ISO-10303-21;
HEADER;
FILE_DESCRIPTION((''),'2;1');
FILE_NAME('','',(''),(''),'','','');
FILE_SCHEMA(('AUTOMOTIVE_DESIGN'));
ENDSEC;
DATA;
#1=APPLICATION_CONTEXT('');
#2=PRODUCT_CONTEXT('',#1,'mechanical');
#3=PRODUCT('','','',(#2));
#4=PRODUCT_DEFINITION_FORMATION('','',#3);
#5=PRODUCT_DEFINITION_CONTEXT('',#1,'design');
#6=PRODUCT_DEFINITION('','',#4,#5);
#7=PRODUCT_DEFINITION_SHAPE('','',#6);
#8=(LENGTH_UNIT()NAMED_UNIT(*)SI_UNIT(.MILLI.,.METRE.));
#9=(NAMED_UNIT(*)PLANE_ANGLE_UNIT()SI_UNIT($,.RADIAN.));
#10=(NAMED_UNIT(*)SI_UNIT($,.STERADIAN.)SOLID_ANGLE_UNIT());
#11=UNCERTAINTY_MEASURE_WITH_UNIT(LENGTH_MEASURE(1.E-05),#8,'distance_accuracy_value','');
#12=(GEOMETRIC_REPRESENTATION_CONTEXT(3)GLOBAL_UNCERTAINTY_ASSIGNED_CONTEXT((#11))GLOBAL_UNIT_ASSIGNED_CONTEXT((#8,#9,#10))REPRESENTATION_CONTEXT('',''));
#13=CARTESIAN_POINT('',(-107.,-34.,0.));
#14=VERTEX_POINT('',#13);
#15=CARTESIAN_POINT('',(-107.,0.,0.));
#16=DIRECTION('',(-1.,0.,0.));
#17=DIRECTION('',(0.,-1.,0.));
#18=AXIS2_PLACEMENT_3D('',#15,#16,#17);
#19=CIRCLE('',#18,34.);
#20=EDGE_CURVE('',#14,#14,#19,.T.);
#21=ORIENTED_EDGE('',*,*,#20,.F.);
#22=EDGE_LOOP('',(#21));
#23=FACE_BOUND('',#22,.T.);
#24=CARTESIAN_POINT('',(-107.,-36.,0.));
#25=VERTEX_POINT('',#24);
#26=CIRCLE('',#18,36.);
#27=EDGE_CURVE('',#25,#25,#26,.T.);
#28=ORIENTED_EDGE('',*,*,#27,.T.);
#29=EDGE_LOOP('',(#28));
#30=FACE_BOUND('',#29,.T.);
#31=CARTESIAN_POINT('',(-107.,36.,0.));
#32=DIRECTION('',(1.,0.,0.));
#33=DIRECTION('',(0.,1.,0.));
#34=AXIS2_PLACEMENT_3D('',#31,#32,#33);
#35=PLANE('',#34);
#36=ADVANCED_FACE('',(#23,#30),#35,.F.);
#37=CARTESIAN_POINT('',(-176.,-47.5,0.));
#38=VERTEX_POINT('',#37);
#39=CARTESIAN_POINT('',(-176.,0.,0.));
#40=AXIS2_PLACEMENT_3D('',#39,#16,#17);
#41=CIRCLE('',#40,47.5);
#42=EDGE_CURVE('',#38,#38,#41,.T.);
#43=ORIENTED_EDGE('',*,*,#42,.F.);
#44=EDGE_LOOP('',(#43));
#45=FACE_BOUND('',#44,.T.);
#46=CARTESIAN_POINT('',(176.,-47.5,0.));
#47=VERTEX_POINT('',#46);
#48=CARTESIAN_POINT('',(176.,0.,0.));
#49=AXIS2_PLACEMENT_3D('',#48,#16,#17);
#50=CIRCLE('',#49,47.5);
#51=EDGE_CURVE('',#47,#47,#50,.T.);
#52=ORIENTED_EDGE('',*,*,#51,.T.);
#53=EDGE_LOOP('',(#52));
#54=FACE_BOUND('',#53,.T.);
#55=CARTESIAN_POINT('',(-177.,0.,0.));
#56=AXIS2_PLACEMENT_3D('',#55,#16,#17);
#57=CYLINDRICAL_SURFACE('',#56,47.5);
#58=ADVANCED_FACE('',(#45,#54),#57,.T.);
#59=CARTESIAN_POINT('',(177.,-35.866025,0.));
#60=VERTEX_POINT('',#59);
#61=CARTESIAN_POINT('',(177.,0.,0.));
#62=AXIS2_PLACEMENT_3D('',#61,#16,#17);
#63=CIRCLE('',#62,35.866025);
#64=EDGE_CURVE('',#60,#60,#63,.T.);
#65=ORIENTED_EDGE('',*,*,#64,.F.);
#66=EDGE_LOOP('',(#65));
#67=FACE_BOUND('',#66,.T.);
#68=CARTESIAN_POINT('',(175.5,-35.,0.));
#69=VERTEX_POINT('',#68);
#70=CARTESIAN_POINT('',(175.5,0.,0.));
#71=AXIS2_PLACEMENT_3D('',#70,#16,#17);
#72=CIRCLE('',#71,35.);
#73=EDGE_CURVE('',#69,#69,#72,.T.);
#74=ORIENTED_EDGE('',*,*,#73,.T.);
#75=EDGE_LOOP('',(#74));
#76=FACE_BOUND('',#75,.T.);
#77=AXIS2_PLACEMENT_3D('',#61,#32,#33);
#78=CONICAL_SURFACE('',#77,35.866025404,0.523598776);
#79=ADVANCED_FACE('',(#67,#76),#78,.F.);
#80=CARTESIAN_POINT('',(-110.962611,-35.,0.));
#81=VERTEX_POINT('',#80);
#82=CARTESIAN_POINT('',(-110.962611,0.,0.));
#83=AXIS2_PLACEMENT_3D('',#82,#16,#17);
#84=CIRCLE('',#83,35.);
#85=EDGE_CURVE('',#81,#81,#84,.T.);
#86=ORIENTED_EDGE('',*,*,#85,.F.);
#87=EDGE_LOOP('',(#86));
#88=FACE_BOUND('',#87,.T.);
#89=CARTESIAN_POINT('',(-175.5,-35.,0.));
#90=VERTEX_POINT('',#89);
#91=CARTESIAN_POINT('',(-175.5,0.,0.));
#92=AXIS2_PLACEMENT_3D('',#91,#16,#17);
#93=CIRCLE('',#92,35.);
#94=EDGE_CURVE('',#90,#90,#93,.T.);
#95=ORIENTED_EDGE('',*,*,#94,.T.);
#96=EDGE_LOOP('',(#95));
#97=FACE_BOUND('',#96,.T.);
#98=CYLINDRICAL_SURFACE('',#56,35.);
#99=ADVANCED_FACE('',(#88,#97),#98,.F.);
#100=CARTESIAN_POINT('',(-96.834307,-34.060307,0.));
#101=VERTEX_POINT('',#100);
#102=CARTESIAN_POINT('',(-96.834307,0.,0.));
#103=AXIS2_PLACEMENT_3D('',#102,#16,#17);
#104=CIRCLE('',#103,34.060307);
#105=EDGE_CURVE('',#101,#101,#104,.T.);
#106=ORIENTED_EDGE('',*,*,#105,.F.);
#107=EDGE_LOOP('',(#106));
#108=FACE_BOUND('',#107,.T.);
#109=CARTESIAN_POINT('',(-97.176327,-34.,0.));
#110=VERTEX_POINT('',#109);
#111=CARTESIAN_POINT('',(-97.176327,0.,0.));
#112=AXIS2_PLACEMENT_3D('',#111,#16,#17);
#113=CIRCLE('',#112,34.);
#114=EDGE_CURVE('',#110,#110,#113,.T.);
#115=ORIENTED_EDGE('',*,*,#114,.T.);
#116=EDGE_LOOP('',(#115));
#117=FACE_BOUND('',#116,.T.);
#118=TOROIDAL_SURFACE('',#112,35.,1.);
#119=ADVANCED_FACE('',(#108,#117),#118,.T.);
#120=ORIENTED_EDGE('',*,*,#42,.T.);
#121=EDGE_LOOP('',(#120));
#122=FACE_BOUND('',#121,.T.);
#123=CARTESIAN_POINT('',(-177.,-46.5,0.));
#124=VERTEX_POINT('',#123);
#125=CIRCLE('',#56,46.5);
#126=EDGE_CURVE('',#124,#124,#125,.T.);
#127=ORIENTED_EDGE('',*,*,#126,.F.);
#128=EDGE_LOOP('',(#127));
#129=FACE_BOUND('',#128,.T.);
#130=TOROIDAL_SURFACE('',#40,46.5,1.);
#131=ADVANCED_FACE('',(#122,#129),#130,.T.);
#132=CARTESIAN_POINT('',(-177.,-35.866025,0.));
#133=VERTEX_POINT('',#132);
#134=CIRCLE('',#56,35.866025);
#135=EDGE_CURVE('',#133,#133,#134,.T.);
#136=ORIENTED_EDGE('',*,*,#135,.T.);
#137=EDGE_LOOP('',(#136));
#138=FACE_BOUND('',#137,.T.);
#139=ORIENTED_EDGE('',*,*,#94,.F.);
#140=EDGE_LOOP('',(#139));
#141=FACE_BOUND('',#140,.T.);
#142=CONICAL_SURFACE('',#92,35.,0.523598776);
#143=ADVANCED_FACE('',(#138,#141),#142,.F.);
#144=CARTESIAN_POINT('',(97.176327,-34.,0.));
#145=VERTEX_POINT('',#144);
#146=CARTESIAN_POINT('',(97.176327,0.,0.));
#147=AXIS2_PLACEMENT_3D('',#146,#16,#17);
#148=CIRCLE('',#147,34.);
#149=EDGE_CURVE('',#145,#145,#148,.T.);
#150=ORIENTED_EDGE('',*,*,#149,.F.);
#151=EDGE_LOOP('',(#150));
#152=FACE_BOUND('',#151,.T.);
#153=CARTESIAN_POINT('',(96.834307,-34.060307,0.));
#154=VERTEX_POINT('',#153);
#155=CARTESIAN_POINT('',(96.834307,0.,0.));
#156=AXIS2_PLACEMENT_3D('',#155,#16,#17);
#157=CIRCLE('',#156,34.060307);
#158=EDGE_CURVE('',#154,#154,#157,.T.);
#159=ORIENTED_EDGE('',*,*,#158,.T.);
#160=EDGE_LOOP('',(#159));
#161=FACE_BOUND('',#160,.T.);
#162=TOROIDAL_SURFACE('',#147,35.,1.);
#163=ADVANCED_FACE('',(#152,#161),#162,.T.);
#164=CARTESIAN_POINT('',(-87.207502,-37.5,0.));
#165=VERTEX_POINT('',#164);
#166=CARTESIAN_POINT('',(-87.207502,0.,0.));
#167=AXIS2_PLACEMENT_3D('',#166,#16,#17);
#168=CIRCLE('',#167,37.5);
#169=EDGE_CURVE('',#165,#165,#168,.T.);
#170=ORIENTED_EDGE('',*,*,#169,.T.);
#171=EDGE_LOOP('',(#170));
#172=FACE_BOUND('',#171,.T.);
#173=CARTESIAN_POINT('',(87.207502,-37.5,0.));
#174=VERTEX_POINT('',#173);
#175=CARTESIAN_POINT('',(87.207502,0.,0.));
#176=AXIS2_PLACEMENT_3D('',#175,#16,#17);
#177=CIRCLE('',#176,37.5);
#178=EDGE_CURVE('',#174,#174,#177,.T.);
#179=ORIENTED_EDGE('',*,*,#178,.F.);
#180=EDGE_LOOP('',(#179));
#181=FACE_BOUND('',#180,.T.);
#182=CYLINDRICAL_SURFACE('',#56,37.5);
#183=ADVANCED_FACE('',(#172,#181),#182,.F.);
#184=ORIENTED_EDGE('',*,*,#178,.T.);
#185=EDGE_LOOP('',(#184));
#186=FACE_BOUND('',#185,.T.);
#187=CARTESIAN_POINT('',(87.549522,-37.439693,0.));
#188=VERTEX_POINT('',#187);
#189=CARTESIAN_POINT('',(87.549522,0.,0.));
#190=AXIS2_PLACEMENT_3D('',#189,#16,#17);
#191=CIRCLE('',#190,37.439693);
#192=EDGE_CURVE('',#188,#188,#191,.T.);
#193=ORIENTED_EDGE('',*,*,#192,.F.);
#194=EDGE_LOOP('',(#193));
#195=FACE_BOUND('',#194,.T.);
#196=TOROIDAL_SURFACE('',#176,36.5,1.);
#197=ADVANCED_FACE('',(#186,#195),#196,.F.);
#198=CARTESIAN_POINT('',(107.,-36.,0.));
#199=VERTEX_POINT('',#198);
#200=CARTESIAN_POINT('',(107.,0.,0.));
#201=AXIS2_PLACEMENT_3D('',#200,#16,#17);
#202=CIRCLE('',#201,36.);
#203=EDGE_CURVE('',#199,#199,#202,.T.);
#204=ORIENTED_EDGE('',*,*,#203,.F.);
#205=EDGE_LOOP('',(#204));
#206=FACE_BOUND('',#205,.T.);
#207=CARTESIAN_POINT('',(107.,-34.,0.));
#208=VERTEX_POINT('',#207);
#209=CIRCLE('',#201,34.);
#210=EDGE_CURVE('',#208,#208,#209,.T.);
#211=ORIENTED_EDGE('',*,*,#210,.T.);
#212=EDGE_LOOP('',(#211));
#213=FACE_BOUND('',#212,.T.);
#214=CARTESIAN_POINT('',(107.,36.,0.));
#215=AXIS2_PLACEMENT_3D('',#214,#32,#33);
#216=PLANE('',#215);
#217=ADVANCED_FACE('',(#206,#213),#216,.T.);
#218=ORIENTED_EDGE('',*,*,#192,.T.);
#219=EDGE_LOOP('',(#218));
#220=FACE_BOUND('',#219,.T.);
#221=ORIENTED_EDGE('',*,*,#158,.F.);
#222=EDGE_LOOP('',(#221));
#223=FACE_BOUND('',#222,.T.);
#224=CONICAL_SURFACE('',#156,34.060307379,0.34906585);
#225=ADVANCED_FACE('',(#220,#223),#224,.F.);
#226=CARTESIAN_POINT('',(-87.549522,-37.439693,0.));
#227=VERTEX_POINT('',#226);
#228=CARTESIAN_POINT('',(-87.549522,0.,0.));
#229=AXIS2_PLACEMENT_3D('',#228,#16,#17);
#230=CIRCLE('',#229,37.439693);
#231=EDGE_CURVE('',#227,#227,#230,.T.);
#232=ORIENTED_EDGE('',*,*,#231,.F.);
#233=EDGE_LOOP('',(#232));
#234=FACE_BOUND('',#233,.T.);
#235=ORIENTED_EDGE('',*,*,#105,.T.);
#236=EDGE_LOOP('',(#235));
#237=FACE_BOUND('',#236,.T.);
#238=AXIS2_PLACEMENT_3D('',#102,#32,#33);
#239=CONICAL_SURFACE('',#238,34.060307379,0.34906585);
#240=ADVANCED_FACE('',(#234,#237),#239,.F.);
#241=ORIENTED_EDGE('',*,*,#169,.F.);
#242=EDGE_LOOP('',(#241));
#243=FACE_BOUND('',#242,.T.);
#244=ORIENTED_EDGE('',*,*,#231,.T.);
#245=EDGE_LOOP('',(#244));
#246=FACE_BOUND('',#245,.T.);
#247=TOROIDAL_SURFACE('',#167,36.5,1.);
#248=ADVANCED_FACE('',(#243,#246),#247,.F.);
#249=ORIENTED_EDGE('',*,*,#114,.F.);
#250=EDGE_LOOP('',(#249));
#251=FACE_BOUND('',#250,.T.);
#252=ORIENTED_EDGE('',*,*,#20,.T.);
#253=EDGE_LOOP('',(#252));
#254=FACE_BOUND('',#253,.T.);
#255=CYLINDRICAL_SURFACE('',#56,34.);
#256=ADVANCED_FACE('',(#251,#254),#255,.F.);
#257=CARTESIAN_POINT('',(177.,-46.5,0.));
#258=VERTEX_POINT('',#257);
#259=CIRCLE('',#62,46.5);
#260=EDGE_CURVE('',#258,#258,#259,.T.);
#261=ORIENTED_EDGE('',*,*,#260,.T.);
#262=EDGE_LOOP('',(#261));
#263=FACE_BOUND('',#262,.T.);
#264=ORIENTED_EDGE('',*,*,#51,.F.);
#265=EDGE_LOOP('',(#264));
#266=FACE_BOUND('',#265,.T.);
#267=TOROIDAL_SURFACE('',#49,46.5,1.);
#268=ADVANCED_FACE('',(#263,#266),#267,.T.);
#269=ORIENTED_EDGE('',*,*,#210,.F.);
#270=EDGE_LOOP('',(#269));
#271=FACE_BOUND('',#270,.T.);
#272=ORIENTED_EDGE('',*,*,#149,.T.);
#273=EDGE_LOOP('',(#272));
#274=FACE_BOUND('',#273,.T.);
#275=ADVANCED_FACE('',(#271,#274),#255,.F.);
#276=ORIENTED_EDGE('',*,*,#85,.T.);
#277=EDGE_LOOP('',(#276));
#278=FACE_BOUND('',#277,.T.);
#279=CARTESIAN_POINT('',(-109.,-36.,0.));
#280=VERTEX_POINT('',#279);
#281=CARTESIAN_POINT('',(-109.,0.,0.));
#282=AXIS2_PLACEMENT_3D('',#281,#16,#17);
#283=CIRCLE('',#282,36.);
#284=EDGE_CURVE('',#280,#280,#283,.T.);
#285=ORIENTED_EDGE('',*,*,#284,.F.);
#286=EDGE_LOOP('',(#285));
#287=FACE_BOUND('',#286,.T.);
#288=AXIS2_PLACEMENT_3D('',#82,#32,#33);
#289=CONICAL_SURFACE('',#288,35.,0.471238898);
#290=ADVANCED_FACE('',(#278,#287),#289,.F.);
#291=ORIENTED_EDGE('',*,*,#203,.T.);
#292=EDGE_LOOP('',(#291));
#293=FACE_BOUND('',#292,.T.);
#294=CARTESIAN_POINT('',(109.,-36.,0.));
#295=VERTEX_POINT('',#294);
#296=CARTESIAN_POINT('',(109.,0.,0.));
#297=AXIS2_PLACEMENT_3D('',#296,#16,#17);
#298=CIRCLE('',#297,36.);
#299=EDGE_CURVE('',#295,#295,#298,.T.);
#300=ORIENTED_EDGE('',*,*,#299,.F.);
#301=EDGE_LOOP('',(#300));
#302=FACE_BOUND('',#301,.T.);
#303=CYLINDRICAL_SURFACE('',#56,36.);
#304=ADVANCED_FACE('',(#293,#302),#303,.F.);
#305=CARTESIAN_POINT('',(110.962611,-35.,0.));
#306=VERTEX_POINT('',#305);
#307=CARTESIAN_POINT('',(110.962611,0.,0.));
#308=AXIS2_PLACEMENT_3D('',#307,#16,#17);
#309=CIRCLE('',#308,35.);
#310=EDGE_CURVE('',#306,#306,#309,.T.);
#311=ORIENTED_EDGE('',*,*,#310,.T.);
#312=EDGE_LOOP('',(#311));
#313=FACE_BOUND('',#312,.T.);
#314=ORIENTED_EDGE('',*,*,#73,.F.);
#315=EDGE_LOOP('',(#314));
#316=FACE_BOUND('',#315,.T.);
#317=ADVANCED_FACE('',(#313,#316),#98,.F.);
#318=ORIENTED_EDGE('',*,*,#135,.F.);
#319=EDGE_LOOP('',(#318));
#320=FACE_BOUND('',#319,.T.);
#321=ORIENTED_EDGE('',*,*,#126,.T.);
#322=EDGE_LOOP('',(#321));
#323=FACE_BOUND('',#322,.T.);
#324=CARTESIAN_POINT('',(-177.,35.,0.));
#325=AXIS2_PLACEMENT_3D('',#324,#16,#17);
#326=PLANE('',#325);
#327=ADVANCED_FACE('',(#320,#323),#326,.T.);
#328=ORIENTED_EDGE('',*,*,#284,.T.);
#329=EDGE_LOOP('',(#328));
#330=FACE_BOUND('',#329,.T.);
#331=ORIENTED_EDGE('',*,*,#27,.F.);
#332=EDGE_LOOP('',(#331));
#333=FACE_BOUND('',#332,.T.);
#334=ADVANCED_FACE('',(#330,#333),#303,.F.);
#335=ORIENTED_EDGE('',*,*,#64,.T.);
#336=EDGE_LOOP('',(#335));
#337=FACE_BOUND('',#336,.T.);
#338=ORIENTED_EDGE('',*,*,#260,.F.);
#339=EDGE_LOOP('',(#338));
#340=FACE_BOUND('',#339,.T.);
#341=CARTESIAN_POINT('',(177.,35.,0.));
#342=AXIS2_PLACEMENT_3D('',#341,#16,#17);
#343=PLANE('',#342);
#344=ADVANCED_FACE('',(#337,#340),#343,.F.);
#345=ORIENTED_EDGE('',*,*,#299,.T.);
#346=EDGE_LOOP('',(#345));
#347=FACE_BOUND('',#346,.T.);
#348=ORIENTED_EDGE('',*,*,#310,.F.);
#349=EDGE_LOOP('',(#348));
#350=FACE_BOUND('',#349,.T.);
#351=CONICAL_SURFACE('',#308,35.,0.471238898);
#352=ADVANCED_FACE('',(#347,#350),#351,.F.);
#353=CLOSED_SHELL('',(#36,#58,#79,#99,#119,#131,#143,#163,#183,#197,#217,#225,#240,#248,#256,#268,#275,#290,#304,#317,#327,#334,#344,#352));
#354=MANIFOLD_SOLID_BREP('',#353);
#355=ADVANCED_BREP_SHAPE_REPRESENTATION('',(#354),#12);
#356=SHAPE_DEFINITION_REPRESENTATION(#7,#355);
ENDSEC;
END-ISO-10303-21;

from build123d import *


with BuildPart() as part:
    # Sketch1 → Base-Revolve (revolve)
    with BuildSketch(Plane.XY):
        with BuildLine():
            Line((-177, 35), (-177, 46.5))
            ThreePointArc((-177, 46.5), (-176.707106781, 47.207106781), (-176, 47.5))
            Line((-176, 47.5), (176, 47.5))
            ThreePointArc((176, 47.5), (176.707106781, 47.207106781), (177, 46.5))
            Line((177, 46.5), (177, 35))
            Line((177, 35), (110.962610506, 35))
            Line((110.962610506, 35), (109, 36))
            Line((109, 36), (107, 36))
            Line((107, 36), (107, 34))
            Line((107, 34), (97.176326981, 34))
            ThreePointArc((97.176326981, 34), (97.002678803, 34.015192247), (96.834306837, 34.060307379))
            Line((96.834306837, 34.060307379), (87.549522195, 37.439692621))
            ThreePointArc((87.549522195, 37.439692621), (87.381150229, 37.484807753), (87.207502051, 37.5))
            Line((87.207502051, 37.5), (-87.207502051, 37.5))
            ThreePointArc((-87.207502051, 37.5), (-87.381150229, 37.484807753), (-87.549522195, 37.439692621))
            Line((-87.549522195, 37.439692621), (-96.834306837, 34.060307379))
            ThreePointArc((-96.834306837, 34.060307379), (-97.002678803, 34.015192247), (-97.176326981, 34))
            Line((-97.176326981, 34), (-107, 34))
            Line((-107, 34), (-107, 36))
            Line((-107, 36), (-109, 36))
            Line((-109, 36), (-110.962610506, 35))
            Line((-110.962610506, 35), (-177, 35))
        make_face()
    revolve(axis=Axis((-177, 0, 0), (1, 0, 0)))

    # Sketch5 → Reifning 2.5 x 30 gr (revolve, cut)
    with BuildSketch(Plane.XY):
        Polygon((-177, 35), (-177, 35.866025404), (-175.5, 35), align=None)
        Polygon((177, 35), (175.5, 35), (177, 35.866025404), align=None)
    revolve(axis=Axis((0, 0, 0), (1, 0, 0)), mode=Mode.SUBTRACT)


solid = part.part
